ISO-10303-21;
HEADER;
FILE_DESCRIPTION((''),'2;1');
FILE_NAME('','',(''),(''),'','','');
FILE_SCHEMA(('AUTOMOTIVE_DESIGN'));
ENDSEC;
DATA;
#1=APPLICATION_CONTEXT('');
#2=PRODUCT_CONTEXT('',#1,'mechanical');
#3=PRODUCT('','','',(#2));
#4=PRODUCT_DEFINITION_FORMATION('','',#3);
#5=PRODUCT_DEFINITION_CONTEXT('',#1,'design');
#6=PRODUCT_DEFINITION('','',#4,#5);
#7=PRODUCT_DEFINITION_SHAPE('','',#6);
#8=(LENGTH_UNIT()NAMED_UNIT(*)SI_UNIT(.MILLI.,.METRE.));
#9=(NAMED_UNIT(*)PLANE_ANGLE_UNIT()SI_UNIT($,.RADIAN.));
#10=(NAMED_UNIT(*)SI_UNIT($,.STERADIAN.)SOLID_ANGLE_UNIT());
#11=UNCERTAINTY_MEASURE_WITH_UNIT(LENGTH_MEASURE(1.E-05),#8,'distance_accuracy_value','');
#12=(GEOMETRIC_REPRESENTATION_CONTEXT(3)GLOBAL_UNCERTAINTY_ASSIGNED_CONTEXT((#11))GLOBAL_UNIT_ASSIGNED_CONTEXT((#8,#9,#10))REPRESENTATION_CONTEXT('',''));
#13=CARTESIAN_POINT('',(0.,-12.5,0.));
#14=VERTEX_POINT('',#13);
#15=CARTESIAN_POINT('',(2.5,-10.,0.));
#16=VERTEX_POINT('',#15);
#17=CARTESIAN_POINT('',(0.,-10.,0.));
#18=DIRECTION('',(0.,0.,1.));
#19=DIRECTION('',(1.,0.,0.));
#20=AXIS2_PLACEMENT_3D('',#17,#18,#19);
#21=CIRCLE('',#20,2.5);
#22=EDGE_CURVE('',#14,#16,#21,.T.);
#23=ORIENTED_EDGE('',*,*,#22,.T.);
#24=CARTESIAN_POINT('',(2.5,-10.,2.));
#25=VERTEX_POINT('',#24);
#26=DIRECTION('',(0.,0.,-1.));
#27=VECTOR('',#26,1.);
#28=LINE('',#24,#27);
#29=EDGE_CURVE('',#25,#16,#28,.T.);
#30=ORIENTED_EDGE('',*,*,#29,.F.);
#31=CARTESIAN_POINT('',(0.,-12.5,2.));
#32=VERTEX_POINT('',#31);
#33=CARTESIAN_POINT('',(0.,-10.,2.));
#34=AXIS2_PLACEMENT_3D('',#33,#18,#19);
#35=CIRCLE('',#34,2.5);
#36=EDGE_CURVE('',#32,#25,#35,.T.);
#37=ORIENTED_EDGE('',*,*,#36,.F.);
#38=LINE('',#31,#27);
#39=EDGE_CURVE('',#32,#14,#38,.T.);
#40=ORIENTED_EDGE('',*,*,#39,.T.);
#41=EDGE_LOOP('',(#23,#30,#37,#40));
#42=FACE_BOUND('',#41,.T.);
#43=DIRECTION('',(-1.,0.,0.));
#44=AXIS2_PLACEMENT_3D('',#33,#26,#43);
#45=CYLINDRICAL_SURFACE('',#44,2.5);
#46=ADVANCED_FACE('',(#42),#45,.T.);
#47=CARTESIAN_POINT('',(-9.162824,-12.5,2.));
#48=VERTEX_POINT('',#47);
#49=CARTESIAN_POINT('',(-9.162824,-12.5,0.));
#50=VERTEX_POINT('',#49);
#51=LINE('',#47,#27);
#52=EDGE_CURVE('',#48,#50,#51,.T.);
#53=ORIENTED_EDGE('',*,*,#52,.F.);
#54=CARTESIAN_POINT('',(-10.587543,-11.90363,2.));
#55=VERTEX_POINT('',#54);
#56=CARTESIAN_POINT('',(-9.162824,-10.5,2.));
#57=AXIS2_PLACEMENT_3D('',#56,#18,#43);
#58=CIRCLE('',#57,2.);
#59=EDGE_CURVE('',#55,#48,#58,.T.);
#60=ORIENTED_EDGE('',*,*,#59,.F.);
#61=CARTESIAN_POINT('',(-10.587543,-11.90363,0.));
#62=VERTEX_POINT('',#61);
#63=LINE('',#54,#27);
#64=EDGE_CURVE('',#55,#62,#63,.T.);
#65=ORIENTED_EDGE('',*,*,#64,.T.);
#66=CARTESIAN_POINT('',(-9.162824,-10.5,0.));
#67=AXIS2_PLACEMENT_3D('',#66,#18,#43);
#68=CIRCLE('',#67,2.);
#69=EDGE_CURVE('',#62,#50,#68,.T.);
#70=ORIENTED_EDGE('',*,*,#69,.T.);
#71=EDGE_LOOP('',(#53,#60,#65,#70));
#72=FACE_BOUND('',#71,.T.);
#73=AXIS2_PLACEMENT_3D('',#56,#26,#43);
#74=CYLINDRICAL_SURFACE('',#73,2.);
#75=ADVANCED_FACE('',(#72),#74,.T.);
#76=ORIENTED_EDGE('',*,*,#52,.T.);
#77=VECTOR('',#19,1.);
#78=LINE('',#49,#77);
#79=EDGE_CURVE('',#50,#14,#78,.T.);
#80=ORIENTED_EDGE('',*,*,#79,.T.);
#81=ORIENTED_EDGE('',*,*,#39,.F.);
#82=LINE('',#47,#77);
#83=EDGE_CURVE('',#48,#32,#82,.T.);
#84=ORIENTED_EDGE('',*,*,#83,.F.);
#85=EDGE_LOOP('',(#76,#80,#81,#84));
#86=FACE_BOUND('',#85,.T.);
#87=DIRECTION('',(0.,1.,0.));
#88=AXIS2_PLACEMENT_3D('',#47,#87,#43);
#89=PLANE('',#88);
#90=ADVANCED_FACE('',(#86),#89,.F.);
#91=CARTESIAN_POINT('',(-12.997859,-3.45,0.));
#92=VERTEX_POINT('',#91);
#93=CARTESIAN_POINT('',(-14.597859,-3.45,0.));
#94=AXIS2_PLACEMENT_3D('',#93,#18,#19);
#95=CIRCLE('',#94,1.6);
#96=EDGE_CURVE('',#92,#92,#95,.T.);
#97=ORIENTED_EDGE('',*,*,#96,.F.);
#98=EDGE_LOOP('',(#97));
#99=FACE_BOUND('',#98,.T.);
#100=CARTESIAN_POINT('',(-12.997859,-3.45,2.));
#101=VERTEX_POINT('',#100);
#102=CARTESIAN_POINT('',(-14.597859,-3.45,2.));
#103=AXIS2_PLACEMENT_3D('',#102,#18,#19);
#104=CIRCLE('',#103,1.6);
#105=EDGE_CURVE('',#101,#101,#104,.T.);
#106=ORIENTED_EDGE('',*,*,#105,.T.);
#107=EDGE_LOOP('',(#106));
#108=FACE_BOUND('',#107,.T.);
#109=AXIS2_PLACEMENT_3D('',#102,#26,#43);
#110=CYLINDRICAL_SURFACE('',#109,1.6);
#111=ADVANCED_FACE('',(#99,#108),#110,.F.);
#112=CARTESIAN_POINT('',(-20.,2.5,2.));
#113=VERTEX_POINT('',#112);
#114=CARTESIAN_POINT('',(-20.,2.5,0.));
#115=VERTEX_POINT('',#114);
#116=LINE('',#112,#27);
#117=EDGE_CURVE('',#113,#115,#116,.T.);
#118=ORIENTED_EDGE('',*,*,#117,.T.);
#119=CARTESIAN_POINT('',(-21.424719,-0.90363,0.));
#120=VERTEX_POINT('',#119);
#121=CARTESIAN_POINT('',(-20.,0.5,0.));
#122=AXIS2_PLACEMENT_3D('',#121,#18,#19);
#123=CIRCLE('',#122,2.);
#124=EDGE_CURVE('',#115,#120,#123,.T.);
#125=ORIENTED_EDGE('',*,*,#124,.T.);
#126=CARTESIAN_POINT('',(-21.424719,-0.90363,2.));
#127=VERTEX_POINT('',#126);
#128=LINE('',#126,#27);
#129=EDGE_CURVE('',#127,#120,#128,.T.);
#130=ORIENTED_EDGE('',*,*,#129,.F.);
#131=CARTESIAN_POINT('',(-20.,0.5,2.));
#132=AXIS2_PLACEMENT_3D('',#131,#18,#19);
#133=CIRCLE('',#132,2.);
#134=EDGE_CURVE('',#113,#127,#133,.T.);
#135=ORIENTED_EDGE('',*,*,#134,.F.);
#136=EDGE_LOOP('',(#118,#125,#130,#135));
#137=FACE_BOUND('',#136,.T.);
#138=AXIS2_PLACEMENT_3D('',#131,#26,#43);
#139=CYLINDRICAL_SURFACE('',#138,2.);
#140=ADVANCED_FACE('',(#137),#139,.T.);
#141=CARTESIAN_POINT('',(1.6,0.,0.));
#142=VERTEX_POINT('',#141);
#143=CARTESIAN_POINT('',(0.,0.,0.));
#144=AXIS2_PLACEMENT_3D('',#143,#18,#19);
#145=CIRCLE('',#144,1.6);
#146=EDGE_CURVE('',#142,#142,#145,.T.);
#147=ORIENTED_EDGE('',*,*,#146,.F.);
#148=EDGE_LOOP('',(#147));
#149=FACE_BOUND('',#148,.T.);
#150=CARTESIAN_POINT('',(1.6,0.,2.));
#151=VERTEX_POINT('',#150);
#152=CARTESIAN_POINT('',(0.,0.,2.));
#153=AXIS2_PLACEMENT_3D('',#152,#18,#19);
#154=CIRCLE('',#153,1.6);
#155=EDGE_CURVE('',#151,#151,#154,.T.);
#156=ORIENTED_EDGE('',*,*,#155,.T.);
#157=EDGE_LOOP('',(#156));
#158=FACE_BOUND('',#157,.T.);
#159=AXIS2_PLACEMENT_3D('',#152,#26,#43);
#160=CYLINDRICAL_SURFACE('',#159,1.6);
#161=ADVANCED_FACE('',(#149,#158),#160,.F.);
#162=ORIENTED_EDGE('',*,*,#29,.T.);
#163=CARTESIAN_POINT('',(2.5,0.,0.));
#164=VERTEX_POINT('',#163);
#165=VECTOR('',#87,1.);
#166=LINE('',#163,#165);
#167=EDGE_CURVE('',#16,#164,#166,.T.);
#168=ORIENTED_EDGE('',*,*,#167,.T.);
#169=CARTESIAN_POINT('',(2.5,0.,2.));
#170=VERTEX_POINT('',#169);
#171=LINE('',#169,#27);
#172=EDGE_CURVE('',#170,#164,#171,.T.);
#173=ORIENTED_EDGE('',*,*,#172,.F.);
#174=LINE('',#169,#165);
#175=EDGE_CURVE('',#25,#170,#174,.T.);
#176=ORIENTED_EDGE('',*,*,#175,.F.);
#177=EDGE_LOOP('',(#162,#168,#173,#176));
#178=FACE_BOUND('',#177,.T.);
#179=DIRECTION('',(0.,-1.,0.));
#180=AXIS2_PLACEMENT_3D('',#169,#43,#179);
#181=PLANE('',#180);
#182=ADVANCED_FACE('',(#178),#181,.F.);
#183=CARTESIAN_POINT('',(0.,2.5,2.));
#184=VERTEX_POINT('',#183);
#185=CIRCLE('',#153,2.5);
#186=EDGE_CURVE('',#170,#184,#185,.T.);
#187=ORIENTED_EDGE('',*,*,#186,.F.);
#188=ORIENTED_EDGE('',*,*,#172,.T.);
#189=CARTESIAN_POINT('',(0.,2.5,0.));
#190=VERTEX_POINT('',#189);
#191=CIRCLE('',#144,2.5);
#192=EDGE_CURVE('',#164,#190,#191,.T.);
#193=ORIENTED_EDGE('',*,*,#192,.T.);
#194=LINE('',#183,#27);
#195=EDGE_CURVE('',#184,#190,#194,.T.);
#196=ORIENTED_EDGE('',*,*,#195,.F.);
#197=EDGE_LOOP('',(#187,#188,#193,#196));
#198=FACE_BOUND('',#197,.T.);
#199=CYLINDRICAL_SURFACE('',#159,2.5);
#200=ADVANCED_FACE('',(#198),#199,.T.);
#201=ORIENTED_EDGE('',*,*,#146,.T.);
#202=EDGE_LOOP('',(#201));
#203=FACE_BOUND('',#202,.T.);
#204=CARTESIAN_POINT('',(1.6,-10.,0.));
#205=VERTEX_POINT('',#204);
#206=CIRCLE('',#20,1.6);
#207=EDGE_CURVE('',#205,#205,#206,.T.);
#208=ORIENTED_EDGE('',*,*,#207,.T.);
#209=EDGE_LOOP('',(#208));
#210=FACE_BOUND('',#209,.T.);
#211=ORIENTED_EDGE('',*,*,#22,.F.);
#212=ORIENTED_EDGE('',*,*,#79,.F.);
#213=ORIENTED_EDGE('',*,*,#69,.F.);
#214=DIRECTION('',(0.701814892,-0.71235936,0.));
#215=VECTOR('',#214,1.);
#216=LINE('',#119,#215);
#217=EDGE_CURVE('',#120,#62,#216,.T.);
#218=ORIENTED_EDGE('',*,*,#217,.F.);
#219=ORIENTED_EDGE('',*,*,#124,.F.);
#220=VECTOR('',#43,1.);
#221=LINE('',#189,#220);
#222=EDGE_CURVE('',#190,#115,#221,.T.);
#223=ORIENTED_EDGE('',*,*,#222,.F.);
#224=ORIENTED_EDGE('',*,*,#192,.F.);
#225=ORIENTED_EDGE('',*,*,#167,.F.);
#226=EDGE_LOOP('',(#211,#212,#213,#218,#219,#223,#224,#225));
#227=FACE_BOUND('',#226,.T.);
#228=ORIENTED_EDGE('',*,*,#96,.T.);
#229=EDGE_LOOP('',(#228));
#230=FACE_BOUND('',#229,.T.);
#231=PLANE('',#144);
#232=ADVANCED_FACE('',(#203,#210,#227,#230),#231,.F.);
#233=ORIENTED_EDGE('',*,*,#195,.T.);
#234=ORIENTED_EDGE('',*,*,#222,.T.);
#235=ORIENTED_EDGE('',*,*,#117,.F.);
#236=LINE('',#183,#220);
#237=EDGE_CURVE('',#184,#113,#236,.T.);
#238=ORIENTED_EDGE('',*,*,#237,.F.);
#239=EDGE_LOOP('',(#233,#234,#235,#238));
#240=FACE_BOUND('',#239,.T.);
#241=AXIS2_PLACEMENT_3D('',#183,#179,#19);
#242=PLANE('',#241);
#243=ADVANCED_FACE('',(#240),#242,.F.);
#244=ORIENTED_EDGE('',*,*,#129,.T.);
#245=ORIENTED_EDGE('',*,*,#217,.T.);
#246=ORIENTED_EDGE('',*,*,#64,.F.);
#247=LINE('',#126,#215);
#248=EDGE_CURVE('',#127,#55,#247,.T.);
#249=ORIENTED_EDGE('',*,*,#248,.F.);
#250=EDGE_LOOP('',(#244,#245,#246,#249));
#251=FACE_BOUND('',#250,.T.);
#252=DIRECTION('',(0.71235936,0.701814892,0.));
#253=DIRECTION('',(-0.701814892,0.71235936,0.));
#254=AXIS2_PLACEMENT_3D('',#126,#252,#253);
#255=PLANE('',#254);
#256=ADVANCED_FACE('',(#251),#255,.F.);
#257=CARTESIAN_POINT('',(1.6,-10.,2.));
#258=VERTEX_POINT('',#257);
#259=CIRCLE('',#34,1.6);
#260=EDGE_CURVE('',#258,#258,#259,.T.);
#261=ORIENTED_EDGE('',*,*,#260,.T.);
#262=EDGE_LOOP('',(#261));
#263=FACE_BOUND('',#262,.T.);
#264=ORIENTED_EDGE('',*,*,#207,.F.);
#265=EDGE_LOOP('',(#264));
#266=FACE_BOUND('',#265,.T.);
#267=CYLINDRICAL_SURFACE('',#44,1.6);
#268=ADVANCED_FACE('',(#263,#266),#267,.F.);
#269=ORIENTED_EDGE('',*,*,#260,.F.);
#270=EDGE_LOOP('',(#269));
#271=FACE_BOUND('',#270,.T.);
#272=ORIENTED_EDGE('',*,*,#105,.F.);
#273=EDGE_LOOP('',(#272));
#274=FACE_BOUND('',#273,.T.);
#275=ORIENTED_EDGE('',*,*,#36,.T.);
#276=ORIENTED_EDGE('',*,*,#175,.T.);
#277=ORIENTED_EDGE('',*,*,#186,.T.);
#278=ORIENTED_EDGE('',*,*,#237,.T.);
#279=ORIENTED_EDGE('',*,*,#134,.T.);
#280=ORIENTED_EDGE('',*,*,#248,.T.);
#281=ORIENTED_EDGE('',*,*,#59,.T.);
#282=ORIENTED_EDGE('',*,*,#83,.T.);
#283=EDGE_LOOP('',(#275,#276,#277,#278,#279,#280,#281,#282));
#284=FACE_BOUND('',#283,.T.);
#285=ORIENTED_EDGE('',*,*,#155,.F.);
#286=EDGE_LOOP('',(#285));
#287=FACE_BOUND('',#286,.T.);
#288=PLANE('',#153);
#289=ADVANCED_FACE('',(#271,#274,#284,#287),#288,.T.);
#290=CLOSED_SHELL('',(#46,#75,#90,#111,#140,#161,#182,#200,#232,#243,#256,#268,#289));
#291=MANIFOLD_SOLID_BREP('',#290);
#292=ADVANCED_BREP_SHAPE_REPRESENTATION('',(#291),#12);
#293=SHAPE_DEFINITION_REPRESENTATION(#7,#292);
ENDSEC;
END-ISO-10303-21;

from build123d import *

# Parameters (mm, degrees)
SKETCH_1_R      = 1.6
EXTRUDE_1_DEPTH = 2


with BuildPart() as part:
    # ｽｹｯﾁ1 → ﾎﾞｽ - 押し出し1 (new body)
    with BuildSketch(Plane.XY):
        with BuildLine():
            Line((2.5, 0), (2.5, -10))
            ThreePointArc((2.5, -10), (1.767766953, -11.767766953), (0, -12.5))
            Line((0, -12.5), (-9.162823921, -12.5))
            ThreePointArc((-9.162823921, -12.5), (-9.93507402, -12.344892892), (-10.58754264, -11.903629784))
            Line((-10.58754264, -11.903629784), (-21.424718719, -0.903629784))
            ThreePointArc((-21.424718719, -0.903629784), (-21.844892892, 1.272250099), (-20, 2.5))
            Line((-20, 2.5), (0, 2.5))
            ThreePointArc((0, 2.5), (1.767766953, 1.767766953), (2.5, 0))
        make_face()
        Circle(SKETCH_1_R, mode=Mode.SUBTRACT)
        with Locations((0, -10)):
            Circle(SKETCH_1_R, mode=Mode.SUBTRACT)
        with Locations((-14.597859432, -3.45)):
            Circle(SKETCH_1_R, mode=Mode.SUBTRACT)
    extrude(amount=EXTRUDE_1_DEPTH)


solid = part.part
